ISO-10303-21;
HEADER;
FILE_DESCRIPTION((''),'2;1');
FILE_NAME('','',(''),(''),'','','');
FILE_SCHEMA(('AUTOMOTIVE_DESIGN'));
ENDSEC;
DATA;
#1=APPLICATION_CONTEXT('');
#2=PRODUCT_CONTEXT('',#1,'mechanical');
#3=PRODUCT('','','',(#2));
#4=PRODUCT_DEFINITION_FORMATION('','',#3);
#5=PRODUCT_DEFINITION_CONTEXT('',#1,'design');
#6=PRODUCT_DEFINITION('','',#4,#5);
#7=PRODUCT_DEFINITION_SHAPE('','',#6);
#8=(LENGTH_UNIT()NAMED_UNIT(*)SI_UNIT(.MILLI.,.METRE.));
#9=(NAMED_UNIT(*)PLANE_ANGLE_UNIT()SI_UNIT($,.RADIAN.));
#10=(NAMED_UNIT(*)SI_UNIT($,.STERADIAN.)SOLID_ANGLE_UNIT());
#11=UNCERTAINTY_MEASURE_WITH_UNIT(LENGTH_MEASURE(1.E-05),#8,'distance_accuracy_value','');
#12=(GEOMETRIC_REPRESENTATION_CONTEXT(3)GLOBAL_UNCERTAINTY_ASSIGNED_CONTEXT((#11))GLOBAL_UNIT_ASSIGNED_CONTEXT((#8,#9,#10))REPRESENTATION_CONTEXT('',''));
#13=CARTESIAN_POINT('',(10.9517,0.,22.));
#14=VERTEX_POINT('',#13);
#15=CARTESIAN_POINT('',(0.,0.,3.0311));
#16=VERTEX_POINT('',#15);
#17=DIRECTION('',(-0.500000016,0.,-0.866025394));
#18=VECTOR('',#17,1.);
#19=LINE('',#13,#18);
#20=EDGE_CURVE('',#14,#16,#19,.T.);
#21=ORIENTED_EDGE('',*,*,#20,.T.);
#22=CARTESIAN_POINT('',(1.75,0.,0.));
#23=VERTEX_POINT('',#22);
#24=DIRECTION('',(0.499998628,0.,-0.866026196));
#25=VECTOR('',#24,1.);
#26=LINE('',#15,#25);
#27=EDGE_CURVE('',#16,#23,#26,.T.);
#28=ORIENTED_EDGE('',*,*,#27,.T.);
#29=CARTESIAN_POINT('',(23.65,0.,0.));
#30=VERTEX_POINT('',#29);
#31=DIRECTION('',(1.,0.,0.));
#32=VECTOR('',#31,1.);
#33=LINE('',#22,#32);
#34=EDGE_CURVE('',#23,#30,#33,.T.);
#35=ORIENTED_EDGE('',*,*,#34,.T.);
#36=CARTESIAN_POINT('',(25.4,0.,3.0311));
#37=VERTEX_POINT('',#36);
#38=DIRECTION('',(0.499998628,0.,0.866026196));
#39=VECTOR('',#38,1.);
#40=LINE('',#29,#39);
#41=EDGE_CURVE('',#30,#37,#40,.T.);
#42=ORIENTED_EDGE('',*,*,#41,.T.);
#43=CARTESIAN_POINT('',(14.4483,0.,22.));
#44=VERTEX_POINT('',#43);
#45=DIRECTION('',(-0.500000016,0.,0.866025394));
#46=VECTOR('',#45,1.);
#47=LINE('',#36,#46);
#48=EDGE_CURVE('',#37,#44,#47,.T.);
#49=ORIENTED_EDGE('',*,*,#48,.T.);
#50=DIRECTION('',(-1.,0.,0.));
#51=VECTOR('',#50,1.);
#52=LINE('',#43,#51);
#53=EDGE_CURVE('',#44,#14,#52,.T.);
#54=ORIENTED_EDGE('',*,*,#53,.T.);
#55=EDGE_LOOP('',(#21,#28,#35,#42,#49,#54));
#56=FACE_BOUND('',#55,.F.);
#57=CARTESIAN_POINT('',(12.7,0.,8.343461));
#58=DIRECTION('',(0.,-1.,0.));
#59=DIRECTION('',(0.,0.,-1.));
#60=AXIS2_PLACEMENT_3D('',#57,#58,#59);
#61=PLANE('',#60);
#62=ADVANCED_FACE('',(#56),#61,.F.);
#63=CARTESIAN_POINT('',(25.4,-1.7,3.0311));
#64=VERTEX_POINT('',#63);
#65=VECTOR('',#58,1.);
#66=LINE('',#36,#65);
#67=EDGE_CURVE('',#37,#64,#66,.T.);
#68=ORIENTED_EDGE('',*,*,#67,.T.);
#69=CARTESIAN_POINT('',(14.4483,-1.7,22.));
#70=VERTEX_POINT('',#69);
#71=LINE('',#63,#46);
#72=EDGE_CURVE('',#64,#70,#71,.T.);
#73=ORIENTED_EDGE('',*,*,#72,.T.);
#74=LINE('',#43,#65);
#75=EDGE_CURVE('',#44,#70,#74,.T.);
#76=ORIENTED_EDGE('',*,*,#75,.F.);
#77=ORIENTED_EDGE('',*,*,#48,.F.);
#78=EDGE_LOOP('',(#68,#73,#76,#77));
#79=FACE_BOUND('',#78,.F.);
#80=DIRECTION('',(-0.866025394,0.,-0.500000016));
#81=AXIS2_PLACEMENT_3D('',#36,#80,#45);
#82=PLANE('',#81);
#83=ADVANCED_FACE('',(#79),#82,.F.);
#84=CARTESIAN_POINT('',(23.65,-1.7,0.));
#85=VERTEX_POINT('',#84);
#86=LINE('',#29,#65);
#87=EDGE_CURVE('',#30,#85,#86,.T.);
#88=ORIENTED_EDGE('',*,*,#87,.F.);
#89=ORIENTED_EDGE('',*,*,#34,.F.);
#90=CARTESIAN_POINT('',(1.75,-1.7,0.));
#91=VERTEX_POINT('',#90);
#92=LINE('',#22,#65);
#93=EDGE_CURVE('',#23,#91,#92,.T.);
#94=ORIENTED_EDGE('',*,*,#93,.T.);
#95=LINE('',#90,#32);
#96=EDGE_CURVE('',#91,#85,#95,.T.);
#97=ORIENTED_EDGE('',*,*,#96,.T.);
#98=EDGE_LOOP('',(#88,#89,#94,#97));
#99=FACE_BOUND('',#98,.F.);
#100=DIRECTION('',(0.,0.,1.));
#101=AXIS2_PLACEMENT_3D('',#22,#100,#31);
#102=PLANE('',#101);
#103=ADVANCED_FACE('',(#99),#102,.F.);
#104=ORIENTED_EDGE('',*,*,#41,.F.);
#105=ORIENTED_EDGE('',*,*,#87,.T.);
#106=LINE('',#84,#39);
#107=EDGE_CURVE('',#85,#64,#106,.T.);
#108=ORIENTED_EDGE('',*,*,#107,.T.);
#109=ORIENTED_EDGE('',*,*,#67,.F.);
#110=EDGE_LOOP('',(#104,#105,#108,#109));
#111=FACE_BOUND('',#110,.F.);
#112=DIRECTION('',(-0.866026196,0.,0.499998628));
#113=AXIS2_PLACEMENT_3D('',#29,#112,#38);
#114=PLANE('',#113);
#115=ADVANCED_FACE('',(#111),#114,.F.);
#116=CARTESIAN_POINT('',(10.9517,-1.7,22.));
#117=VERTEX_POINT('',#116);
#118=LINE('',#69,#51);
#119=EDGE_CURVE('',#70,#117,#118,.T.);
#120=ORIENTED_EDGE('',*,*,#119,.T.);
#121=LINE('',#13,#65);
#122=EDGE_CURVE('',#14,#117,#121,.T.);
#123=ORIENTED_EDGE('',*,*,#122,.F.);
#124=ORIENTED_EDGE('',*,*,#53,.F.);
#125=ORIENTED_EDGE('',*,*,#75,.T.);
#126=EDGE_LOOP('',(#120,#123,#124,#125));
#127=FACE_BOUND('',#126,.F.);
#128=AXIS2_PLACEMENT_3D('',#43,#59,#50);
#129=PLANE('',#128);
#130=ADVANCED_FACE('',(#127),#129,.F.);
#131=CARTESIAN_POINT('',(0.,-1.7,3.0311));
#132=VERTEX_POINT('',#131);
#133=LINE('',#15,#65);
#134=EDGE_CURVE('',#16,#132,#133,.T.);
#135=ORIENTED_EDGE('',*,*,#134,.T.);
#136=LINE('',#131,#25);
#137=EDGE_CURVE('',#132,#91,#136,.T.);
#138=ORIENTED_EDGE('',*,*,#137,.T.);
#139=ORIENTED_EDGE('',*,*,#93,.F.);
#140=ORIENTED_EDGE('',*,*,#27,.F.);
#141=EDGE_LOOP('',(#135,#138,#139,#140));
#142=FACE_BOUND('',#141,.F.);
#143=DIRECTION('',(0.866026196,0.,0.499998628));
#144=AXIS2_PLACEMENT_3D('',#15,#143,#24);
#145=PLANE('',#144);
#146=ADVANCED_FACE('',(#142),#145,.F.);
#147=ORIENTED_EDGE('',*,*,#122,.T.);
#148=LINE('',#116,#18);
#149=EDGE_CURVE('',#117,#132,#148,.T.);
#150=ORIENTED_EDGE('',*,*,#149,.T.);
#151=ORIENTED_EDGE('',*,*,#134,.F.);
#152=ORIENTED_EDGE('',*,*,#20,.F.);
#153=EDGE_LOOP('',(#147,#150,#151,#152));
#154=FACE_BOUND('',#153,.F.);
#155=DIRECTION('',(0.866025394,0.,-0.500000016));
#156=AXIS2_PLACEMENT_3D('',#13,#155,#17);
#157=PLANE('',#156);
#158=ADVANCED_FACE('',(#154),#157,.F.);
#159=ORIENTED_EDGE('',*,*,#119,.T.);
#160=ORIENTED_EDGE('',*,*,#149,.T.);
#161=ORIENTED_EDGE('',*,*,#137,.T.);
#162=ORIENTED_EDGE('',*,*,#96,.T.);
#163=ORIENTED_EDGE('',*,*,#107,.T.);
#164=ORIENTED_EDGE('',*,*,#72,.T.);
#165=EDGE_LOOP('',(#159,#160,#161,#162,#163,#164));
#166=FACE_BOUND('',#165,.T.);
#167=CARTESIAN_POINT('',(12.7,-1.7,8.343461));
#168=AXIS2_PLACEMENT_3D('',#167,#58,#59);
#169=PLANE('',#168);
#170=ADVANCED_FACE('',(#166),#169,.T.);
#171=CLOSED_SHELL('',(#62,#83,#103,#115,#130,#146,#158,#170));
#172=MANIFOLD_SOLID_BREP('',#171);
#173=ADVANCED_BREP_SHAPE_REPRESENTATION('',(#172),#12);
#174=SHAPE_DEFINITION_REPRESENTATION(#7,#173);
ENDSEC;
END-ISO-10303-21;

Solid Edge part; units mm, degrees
sketch "Sketch1" plane through (0, 0, 0) normal (0, -1, 0) x (1, 0, 0)
  line L0 (25.4, 3.0311) -> (14.4483, 22)
  line L1 (14.4483, 22) -> (10.9517, 22)
  line L2 (10.9517, 22) -> (0, 3.0311)
  line L3 (0, 3.0311) -> (1.75, 0)
  line L4 (1.75, 0) -> (23.65, 0)
  line L5 (23.65, 0) -> (25.4, 3.0311)
extrude "Protrusion1" add sketch "Sketch1" along normal blind 1.7
